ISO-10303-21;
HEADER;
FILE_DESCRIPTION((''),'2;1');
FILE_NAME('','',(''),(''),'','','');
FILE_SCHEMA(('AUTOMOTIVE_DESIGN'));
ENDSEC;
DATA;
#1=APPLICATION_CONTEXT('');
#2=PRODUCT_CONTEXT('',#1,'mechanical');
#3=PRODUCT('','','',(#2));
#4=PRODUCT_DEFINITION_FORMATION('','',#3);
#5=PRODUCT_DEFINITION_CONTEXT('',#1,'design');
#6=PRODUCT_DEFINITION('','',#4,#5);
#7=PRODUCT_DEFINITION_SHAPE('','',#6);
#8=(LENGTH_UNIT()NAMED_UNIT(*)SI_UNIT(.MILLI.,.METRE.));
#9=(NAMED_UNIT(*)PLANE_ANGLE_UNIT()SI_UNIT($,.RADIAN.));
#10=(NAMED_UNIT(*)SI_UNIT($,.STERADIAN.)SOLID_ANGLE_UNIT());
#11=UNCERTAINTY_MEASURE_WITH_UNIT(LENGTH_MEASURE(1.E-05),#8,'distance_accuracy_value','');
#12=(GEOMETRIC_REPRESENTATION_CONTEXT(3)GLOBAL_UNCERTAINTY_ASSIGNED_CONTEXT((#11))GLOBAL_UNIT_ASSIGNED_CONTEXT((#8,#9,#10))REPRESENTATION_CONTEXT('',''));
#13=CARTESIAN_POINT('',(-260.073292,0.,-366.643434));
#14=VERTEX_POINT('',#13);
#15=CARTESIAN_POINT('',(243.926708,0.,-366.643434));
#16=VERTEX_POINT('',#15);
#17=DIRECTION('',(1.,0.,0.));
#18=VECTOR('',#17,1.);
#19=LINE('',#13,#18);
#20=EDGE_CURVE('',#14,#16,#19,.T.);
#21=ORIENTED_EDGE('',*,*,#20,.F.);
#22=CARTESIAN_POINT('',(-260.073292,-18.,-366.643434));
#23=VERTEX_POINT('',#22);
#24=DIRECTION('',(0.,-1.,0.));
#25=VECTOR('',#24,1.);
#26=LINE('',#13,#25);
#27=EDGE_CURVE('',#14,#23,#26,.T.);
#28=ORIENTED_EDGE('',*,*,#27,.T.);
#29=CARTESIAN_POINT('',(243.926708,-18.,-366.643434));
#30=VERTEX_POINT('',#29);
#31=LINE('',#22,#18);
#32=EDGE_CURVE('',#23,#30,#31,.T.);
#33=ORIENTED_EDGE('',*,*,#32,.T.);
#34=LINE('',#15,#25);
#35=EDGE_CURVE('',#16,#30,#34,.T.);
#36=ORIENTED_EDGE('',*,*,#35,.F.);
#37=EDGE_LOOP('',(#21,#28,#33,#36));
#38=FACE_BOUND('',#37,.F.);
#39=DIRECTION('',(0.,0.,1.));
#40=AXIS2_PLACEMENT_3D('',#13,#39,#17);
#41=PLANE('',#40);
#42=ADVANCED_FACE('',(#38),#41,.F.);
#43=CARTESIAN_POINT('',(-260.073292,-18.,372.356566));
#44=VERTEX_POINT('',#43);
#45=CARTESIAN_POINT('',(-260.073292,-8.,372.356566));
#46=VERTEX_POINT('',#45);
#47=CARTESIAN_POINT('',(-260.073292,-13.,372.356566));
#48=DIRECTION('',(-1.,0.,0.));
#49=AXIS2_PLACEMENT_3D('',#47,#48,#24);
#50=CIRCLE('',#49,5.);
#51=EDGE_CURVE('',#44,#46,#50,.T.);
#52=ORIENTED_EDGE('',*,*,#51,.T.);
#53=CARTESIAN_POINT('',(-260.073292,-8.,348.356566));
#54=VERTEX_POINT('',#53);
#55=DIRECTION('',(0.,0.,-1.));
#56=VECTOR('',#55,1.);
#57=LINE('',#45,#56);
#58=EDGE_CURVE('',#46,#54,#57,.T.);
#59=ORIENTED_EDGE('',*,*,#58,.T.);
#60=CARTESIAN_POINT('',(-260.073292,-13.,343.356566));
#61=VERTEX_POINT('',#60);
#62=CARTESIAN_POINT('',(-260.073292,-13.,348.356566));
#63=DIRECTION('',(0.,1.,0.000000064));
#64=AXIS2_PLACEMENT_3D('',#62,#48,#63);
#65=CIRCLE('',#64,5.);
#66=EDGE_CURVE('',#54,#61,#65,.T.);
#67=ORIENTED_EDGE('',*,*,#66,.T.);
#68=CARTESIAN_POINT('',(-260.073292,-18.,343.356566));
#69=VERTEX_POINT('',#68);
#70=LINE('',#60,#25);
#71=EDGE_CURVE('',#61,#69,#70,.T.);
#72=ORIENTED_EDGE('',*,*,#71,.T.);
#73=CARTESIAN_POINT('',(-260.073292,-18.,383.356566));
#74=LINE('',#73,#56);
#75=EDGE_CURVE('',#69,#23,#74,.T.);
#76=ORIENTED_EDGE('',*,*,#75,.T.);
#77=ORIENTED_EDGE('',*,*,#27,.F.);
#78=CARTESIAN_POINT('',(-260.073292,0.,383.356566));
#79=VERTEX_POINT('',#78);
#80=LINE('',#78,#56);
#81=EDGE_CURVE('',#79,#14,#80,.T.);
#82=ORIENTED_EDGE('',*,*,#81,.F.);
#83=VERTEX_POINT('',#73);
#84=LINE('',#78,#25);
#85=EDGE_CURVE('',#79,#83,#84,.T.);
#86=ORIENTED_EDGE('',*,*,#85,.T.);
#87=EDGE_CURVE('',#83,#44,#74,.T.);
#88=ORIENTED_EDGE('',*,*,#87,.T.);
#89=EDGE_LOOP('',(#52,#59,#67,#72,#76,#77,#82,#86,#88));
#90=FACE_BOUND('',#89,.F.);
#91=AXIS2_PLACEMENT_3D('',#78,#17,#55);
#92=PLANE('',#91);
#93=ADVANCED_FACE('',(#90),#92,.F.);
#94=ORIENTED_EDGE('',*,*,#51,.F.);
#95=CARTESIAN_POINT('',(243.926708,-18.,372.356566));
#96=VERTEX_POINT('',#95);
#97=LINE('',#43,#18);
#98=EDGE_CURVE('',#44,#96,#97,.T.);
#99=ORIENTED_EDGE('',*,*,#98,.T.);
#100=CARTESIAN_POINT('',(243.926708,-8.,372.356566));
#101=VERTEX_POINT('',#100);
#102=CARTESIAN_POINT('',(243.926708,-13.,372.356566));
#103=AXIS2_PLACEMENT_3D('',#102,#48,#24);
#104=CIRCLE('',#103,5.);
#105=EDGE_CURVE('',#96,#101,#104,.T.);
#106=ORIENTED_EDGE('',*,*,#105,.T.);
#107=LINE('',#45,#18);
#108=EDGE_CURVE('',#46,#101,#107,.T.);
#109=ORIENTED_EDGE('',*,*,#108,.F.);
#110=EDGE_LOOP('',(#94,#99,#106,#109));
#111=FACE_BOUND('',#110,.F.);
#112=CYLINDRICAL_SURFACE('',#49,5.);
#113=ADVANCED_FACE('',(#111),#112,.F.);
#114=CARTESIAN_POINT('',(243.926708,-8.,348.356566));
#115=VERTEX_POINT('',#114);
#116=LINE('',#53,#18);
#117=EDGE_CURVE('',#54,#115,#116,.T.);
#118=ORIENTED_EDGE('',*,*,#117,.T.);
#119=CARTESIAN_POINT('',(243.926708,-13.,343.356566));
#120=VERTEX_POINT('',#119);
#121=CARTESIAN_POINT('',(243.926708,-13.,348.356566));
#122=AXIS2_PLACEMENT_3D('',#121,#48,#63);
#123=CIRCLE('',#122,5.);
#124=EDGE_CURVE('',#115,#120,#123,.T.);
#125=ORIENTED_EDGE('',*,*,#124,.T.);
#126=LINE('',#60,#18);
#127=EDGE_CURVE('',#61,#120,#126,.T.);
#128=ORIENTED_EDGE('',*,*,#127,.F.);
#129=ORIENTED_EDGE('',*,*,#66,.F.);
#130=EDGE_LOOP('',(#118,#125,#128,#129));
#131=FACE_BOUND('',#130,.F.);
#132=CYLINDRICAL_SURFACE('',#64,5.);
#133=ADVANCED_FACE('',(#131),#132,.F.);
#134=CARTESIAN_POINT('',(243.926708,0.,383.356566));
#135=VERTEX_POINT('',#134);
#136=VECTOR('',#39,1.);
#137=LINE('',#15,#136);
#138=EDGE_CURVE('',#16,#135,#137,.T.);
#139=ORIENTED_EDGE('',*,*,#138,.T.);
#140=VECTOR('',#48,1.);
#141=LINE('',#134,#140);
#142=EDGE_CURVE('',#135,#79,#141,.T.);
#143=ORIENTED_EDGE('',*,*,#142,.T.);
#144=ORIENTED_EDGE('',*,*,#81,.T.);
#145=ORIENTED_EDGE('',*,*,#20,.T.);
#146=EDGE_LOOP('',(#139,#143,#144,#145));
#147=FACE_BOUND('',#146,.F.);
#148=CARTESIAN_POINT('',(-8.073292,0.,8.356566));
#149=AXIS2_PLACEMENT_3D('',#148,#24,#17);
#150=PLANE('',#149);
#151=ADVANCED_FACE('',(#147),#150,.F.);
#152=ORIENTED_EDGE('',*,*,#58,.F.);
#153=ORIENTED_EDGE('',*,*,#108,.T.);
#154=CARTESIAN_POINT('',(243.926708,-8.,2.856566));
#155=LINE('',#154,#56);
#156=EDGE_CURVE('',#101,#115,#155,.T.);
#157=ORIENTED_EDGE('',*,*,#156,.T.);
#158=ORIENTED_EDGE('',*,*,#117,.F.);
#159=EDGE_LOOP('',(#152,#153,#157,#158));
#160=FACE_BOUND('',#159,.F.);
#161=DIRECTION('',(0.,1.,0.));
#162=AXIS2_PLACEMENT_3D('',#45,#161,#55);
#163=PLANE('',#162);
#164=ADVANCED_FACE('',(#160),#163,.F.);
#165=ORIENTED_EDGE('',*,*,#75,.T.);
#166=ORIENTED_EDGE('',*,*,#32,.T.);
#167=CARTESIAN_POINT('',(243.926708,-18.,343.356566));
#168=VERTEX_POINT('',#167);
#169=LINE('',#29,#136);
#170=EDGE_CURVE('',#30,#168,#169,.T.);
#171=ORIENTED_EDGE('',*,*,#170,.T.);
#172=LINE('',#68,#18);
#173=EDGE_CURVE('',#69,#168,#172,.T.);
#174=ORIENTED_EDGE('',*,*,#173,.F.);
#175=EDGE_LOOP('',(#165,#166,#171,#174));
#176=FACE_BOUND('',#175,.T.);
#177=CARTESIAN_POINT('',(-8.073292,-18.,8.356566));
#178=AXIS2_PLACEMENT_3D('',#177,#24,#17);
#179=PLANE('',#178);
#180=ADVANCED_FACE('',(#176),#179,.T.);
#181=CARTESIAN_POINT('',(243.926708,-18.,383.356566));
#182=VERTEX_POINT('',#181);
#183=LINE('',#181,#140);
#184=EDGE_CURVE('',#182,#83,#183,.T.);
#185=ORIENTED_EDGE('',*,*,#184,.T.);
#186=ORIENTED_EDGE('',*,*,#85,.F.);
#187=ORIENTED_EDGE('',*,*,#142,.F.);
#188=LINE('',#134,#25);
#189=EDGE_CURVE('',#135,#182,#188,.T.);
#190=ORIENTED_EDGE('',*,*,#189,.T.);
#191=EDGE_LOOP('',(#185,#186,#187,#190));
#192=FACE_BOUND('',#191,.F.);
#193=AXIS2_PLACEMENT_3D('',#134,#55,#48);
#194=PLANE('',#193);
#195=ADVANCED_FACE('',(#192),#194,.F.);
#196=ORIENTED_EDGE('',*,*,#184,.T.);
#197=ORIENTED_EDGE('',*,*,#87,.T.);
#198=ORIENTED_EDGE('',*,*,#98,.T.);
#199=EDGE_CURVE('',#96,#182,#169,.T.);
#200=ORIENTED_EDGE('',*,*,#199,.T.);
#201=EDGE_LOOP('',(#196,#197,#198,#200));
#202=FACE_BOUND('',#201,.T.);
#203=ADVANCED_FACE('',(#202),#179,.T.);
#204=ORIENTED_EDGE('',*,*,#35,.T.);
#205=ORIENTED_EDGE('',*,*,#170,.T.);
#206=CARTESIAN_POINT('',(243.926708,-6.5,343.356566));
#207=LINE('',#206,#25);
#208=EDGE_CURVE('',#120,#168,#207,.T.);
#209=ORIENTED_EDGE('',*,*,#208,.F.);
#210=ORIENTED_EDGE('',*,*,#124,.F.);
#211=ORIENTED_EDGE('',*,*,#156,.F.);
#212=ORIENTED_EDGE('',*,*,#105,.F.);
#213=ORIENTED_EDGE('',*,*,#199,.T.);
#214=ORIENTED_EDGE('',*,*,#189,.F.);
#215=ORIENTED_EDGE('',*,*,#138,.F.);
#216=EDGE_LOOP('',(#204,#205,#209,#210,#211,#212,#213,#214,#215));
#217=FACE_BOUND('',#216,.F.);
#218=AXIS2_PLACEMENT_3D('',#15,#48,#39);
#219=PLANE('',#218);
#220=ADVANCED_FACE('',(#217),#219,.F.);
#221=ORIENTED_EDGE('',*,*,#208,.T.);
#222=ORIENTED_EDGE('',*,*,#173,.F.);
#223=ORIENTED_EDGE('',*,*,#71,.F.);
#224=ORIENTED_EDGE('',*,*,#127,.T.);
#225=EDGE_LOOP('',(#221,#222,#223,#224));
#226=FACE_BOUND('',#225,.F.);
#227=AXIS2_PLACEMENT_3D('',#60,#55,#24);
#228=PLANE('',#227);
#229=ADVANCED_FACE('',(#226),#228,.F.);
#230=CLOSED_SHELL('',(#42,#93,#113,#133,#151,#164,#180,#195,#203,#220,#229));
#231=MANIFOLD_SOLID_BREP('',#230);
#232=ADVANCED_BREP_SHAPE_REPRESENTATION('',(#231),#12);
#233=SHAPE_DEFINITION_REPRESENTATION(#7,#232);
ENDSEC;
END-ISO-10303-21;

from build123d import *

# Parameters (mm, degrees)
F1_DEPTH = 18
F3_DEPTH = 555


with BuildPart() as f1:
    # F0 (on Front) → F1 (new body)
    with BuildSketch(Plane.XZ):
        Polygon((243.926708, -366.643434), (243.926708, 383.356566), (-8.073292, 383.356566), (-260.073292, 383.356566), (-260.073292, -366.643434), (-8.073292, -366.643434), align=None)
    extrude(amount=F1_DEPTH)

    # F2 (on face) → F3 (cut)
    with BuildSketch(Plane(origin=(-260.073292, 0, 0), x_dir=(0, -1, 0), z_dir=(-1, 0, 0))):
        with BuildLine():
            Line((13, 343.356566), (18, 343.356566))
            Line((18, 343.356566), (18, 372.356566))
            ThreePointArc((18, 372.356566), (13, 377.356566), (8, 372.356566))
            Line((8, 372.356566), (8, 348.356566))
            ThreePointArc((8, 348.356566), (9.464466, 344.821032), (13, 343.356566))
        make_face()
    extrude(amount=-F3_DEPTH, mode=Mode.SUBTRACT)


solid = f1.part
